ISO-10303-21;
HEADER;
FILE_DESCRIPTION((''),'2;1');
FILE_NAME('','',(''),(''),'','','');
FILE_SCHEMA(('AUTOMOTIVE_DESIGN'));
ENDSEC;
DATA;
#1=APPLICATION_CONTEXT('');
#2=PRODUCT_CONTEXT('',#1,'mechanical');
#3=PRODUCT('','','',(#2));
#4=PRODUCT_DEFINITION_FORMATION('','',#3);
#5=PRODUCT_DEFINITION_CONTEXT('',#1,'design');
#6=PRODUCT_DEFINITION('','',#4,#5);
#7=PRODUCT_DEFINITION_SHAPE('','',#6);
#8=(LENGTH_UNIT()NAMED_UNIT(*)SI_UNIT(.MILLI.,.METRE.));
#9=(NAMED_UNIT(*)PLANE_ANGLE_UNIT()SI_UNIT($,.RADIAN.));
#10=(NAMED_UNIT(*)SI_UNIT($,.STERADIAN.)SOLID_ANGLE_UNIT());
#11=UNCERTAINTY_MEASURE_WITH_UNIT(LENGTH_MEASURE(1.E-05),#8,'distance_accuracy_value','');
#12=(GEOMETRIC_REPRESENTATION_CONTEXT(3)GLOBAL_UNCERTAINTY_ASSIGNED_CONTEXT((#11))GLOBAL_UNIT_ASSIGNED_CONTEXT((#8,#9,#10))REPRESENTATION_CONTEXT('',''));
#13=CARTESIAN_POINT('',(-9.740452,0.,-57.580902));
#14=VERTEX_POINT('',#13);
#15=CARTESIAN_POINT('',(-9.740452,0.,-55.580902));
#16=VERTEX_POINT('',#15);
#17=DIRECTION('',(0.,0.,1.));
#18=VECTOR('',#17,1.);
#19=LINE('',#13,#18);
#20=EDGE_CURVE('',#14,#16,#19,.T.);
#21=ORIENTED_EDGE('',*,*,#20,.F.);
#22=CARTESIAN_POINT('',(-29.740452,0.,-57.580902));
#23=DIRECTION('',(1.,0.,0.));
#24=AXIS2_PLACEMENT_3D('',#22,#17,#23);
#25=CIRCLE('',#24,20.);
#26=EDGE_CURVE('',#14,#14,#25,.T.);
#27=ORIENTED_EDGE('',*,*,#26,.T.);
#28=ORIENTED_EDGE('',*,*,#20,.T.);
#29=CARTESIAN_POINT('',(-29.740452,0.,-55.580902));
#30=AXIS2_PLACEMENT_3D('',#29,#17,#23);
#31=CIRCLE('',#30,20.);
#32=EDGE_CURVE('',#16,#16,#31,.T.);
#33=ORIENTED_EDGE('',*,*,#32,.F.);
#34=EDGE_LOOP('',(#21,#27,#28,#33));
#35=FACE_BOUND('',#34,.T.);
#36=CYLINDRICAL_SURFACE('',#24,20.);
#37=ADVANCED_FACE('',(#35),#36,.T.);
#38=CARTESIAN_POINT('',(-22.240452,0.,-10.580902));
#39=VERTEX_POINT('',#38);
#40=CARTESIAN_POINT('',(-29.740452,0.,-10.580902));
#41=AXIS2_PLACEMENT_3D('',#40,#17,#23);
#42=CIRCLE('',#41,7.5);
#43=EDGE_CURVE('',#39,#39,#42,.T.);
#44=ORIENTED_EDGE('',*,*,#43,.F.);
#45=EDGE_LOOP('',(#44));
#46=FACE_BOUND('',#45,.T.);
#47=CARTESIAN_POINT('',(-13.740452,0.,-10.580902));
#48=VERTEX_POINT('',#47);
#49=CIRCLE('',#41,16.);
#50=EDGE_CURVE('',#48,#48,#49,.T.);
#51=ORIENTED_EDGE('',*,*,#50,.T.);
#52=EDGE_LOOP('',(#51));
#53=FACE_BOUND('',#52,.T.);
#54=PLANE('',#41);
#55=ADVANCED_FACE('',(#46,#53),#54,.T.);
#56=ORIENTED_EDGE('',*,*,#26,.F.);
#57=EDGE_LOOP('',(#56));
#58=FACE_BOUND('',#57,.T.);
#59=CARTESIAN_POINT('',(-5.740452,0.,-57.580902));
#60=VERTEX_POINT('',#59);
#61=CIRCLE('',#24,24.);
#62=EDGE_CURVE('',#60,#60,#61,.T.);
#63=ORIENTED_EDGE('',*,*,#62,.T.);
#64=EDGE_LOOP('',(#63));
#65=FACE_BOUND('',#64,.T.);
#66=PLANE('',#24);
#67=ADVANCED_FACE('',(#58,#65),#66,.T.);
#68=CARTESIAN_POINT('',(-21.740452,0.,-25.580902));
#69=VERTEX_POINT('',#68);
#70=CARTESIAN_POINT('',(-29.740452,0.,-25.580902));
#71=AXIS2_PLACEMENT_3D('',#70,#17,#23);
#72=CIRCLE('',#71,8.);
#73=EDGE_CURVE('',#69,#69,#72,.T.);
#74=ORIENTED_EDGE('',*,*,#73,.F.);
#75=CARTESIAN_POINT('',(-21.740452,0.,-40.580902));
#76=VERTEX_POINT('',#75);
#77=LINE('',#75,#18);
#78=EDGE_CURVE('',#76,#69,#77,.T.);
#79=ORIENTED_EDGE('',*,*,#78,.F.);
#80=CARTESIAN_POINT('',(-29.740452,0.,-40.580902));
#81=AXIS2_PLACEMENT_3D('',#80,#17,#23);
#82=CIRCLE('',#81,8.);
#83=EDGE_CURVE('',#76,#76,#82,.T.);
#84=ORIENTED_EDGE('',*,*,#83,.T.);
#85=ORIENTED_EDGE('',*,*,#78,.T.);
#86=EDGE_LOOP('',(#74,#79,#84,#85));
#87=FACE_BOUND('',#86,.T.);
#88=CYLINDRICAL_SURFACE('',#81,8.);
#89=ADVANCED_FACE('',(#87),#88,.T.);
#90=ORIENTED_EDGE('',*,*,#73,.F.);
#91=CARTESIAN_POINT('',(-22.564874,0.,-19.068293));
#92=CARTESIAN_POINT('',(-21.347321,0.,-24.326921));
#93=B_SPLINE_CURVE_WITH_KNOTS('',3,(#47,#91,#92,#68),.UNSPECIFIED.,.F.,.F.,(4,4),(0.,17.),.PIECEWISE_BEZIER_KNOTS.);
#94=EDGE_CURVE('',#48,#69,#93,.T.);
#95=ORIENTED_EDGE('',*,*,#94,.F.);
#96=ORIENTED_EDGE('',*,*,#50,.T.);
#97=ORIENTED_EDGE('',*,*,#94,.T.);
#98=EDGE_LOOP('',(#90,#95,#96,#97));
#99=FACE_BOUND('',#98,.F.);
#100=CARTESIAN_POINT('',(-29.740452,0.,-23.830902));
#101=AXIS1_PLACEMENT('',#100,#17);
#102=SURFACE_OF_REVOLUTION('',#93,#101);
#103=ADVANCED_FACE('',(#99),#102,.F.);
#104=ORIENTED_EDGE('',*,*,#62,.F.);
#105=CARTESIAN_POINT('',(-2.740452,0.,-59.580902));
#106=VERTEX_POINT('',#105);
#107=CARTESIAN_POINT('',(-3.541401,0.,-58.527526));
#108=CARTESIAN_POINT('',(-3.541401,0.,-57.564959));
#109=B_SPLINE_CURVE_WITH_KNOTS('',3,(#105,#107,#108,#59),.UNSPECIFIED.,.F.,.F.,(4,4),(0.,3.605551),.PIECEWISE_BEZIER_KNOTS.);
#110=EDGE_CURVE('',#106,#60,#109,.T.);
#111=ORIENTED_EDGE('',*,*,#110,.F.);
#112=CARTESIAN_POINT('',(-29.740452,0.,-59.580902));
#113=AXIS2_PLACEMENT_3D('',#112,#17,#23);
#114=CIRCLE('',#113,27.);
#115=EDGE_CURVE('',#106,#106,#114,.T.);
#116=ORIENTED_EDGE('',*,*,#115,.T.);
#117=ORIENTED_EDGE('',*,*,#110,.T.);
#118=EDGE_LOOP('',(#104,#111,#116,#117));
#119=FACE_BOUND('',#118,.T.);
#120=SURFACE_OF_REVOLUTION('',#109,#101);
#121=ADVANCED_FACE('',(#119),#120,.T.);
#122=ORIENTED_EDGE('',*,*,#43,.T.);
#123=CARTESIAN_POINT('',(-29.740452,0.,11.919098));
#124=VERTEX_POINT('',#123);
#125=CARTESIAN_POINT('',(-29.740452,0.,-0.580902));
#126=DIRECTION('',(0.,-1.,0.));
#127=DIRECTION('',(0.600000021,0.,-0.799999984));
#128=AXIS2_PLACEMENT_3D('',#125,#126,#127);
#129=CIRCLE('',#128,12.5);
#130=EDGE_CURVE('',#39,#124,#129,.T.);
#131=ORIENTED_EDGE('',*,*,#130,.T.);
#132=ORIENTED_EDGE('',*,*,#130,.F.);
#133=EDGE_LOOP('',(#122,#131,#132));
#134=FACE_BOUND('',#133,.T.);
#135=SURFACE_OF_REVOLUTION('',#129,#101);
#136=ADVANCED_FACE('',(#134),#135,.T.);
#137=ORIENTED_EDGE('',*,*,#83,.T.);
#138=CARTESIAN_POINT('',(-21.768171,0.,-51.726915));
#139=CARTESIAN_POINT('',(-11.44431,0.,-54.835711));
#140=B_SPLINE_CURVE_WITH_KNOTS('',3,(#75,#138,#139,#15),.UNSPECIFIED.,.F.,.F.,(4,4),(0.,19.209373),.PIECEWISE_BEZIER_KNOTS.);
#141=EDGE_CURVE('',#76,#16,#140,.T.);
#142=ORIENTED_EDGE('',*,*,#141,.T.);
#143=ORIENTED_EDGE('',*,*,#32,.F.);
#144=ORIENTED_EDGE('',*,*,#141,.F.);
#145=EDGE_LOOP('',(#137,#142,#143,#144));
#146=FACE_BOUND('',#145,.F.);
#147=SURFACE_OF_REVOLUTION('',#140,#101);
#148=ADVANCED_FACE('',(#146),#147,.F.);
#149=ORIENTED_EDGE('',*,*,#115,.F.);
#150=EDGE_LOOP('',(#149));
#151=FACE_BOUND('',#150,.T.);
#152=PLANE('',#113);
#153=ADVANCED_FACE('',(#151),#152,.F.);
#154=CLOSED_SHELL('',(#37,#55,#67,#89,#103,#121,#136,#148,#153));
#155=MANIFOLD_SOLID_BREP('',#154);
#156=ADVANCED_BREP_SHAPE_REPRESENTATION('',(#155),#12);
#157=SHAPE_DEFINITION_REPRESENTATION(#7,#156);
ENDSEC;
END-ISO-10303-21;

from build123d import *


with BuildPart() as f1:
    # F0 (on Front) → F1 (revolve)
    with BuildSketch(Plane.XZ):
        with BuildLine():
            Line((-13.740452, -10.580902), (-22.240452, -10.580902))
            ThreePointArc((-22.240452, -10.580902), (-17.881911, 3.371945), (-29.740452, 11.919098))
            Line((-29.740452, 11.919098), (-29.740452, -59.580902))
            Line((-29.740452, -59.580902), (-2.740452, -59.580902))
            add(Edge.make_bspline(
                [(-2.740452, -59.580902), (-3.541401, -58.527526), (-3.541401, -57.564959), (-5.740452, -57.580902)],
                knots=[0, 0, 0, 0, 3.605551, 3.605551, 3.605551, 3.605551], degree=3))
            Line((-5.740452, -57.580902), (-9.740452, -57.580902))
            Line((-9.740452, -57.580902), (-9.740452, -55.580902))
            add(Edge.make_bspline(
                [(-21.740452, -40.580902), (-21.768171, -51.726915), (-11.44431, -54.835711), (-9.740452, -55.580902)],
                knots=[0, 0, 0, 0, 19.209373, 19.209373, 19.209373, 19.209373], degree=3))
            Line((-21.740452, -40.580902), (-21.740452, -25.580902))
            add(Edge.make_bspline(
                [(-13.740452, -10.580902), (-22.564874, -19.068293), (-21.347321, -24.326921), (-21.740452, -25.580902)],
                knots=[0, 0, 0, 0, 17, 17, 17, 17], degree=3))
        make_face()
    revolve(axis=Axis((-29.740452, 0, -23.830902), (0, 0, 1)))


solid = f1.part
